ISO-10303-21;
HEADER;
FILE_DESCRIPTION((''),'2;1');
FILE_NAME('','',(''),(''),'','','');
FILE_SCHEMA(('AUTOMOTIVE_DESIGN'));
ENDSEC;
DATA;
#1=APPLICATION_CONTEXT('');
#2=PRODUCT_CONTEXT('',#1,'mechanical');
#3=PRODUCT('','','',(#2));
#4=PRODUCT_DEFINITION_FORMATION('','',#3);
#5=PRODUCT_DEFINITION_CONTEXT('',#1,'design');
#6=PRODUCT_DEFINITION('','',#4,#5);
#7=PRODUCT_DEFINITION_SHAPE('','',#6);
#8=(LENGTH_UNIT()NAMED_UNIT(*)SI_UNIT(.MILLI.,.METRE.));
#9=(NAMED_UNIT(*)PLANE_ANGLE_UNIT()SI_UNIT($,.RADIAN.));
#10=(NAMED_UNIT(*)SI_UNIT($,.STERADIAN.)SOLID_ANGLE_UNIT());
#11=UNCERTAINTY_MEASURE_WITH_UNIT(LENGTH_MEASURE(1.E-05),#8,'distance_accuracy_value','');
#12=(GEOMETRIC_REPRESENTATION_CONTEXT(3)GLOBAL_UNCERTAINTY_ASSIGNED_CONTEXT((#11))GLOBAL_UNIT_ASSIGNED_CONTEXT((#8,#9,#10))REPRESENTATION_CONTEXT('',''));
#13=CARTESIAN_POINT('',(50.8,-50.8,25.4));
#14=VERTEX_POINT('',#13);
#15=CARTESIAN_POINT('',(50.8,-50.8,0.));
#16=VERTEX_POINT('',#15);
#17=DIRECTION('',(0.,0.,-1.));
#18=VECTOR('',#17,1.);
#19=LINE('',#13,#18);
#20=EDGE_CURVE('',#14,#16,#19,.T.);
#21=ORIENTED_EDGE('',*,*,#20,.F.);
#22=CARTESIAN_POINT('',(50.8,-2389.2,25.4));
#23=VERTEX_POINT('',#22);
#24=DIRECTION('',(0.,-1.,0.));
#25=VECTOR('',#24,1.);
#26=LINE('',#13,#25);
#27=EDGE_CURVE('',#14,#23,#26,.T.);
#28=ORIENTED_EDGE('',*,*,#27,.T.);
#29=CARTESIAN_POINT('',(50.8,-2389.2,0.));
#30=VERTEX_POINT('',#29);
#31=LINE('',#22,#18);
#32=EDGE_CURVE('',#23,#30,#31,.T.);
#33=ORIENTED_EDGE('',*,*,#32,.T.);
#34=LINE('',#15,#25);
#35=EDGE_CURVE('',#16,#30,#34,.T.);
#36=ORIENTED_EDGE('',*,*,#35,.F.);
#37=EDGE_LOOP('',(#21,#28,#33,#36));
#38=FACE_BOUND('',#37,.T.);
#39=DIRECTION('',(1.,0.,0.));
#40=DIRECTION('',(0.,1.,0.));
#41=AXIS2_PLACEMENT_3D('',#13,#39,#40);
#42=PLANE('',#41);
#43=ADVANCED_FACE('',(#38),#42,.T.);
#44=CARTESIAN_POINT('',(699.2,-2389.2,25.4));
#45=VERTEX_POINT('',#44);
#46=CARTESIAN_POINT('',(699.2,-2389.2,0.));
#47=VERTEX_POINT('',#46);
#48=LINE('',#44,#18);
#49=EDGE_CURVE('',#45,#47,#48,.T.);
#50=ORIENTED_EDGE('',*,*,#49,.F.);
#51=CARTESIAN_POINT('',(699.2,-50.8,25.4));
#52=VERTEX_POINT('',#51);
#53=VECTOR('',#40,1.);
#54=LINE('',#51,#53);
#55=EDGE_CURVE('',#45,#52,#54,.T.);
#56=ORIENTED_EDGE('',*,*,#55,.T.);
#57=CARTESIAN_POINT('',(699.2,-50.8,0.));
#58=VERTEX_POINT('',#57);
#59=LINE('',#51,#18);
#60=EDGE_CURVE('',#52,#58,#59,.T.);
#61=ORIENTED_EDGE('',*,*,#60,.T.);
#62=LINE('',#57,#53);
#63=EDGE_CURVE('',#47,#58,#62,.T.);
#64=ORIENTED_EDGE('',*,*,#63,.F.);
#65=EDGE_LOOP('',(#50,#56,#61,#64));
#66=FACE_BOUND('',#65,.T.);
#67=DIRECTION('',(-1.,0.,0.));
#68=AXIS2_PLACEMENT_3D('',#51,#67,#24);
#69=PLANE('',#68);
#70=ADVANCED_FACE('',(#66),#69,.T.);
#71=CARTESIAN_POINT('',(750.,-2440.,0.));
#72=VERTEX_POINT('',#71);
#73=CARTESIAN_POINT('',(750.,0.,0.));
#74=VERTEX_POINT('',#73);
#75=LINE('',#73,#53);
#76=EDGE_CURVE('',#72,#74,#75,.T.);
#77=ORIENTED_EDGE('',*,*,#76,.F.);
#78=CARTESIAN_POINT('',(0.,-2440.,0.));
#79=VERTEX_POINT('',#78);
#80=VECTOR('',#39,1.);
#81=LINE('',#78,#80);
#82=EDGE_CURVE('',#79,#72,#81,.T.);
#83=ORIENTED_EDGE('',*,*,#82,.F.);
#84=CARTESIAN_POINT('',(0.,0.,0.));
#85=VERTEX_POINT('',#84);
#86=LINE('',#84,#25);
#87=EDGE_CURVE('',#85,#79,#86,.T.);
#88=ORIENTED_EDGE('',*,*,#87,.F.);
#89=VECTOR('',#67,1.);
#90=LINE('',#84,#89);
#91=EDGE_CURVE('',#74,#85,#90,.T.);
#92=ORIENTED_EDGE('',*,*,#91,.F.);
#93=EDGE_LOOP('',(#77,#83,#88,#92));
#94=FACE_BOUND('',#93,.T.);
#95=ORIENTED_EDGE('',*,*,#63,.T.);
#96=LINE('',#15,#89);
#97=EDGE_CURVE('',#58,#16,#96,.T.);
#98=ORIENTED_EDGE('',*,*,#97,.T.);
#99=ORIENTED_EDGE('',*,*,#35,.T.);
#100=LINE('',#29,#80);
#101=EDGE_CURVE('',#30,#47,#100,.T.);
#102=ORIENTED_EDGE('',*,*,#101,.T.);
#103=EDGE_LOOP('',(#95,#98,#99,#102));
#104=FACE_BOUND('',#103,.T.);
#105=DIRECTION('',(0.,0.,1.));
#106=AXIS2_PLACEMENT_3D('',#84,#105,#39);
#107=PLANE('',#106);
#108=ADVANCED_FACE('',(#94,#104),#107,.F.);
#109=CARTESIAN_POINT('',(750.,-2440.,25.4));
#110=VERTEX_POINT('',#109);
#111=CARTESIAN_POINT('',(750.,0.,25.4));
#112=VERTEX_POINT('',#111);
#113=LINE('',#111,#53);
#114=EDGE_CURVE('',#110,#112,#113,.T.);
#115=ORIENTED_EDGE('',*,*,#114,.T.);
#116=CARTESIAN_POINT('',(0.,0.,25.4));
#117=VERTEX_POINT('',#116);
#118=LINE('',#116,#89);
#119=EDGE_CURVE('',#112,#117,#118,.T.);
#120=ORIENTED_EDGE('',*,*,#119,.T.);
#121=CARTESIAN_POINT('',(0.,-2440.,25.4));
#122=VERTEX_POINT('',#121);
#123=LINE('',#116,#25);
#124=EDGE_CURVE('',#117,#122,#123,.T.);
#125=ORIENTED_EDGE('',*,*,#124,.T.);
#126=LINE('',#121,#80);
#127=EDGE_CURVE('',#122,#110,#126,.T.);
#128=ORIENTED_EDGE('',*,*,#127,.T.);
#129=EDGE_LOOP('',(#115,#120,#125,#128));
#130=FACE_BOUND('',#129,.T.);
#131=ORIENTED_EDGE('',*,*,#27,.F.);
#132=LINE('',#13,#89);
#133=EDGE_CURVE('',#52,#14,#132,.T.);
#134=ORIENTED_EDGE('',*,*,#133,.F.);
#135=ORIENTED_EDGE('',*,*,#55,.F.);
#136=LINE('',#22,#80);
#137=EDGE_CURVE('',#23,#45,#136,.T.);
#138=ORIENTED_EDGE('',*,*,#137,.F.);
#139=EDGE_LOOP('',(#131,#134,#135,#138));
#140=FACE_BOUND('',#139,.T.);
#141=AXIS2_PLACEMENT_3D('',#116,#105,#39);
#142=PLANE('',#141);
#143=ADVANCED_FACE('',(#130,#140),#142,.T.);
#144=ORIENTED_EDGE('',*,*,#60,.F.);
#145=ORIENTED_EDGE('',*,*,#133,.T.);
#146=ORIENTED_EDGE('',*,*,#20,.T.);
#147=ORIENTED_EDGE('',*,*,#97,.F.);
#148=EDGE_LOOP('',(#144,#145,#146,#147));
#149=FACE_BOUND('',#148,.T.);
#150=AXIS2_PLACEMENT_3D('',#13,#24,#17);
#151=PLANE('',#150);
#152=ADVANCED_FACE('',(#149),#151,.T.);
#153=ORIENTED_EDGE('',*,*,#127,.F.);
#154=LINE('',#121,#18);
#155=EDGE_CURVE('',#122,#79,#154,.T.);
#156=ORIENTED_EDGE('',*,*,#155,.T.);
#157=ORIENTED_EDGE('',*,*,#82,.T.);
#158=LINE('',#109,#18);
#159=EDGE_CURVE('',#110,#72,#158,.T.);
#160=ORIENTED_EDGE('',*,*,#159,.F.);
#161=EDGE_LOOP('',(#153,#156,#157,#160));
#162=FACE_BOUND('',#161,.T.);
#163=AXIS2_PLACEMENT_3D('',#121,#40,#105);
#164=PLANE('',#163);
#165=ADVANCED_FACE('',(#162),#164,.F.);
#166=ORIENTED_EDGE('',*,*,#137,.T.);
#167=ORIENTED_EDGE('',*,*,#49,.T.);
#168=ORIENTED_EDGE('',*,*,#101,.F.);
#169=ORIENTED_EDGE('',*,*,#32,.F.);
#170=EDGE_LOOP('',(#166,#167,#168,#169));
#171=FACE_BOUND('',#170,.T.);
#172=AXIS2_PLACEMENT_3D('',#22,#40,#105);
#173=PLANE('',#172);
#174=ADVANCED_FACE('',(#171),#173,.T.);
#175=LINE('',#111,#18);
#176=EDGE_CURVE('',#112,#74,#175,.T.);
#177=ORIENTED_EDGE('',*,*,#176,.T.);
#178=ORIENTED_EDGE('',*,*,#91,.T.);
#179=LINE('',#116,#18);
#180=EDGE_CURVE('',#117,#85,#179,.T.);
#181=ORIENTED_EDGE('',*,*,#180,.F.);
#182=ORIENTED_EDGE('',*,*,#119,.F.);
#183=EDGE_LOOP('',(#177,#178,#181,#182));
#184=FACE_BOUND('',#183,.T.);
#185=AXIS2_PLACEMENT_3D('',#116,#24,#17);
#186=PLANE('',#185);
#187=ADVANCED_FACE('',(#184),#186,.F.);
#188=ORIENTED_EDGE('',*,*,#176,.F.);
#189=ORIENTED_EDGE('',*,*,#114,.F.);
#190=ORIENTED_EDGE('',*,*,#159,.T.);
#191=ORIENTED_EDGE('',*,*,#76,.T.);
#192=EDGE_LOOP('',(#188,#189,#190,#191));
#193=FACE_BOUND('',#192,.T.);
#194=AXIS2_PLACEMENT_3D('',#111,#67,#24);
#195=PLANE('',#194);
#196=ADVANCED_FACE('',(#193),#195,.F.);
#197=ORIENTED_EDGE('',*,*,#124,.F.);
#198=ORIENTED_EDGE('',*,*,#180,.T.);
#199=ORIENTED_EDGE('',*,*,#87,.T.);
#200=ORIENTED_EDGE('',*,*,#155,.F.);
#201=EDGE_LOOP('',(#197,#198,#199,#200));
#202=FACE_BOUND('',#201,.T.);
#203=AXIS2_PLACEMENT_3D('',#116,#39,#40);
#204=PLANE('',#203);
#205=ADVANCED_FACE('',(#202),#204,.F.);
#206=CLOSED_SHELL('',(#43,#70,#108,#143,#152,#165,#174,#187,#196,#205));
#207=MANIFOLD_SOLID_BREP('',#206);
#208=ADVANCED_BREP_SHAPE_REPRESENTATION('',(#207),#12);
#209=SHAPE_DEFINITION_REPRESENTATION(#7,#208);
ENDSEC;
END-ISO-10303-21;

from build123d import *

# Parameters (mm, degrees)
CROQUIS1_W              = 750
CROQUIS1_H              = 2440
CROQUIS1_W_2            = 648.4
CROQUIS1_H_2            = 2338.4
SALIENTE_EXTRUIR1_DEPTH = 25.4


with BuildPart() as part:
    # Croquis1 → Saliente-Extruir1 (new body)
    with BuildSketch(Plane.XY):
        with Locations((375, -1220)):
            Rectangle(CROQUIS1_W, CROQUIS1_H)
        with Locations((375, -1220)):
            Rectangle(CROQUIS1_W_2, CROQUIS1_H_2, mode=Mode.SUBTRACT)
    extrude(amount=SALIENTE_EXTRUIR1_DEPTH)


solid = part.part
